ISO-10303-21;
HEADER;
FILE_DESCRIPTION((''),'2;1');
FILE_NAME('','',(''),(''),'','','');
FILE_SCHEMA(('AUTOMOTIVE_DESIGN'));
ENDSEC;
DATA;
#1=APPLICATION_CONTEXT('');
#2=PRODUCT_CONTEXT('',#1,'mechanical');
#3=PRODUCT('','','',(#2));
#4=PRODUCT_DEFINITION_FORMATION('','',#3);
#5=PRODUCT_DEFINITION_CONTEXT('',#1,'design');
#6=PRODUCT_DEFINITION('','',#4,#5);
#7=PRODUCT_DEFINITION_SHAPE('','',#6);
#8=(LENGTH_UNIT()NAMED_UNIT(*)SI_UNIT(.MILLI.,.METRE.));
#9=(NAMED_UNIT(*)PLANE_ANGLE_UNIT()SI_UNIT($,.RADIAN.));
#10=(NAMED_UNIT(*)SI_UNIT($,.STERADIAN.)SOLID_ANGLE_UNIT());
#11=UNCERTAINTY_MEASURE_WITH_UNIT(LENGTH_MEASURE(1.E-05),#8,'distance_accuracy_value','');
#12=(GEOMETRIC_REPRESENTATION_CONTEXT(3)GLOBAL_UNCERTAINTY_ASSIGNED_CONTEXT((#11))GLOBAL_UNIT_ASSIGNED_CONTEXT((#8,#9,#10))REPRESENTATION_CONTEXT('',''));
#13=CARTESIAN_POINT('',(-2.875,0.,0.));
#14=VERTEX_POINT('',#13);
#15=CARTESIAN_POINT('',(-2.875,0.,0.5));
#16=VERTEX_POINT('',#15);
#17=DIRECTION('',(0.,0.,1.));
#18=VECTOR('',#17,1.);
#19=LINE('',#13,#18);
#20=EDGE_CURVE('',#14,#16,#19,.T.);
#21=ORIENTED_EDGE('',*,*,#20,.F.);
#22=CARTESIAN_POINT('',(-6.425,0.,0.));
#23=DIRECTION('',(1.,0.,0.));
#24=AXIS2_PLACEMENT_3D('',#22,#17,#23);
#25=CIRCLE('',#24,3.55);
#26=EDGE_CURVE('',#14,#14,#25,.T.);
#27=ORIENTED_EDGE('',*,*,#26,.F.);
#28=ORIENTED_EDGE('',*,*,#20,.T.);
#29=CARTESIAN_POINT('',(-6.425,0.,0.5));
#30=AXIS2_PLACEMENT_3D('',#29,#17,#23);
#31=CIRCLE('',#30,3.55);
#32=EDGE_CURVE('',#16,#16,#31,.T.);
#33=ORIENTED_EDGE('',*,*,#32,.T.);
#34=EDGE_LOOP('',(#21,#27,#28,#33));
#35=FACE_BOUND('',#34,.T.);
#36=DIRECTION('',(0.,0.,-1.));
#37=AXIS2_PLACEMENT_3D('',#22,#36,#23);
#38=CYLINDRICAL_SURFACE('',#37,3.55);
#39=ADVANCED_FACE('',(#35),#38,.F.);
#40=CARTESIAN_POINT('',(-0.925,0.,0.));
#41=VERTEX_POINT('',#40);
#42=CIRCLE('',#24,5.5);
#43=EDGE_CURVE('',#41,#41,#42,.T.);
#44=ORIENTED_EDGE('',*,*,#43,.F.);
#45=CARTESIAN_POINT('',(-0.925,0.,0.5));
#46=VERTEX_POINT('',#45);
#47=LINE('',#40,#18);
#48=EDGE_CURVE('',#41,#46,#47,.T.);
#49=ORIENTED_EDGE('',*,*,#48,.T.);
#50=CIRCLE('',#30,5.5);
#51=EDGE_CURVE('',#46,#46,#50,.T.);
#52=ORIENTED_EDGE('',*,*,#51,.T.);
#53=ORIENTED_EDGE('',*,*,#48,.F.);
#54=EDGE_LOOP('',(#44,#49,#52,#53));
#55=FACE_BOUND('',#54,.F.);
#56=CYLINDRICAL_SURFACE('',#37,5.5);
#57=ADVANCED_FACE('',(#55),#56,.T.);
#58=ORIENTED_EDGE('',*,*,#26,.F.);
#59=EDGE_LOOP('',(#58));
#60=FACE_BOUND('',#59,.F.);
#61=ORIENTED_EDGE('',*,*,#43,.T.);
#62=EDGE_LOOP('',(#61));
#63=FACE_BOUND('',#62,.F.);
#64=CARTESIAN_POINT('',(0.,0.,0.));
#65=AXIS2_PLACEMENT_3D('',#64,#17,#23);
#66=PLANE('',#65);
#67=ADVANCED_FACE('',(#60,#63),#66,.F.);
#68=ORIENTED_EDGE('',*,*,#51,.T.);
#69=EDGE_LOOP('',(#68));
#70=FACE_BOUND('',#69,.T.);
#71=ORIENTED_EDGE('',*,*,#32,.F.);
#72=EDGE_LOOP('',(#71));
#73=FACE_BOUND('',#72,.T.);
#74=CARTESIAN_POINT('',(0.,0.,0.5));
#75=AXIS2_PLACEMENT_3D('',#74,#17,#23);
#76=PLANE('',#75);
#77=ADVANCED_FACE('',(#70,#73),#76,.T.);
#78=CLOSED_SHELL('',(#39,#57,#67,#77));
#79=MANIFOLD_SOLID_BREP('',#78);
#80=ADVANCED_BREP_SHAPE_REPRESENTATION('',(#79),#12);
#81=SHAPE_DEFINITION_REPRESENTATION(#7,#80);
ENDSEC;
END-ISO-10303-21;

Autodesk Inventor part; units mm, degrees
ref_plane "YZ Plane" through (0, 0, 0) normal (1, 0, 0) x (0, 1, 0)
ref_plane "XZ Plane" through (0, 0, 0) normal (0, 1, 0) x (-1, 0, 0)
ref_plane "XY Plane" through (0, 0, 0) normal (0, 0, 1) x (1, 0, 0)
sketch "Sketch1" plane through (0, 0, 0) normal (0, 0, 1) x (1, 0, 0)
  circle A0 centre (-6.425, 0) radius 2 projected
  circle A1 centre (-6.425, 0) radius 5.5
  circle A2 centre (-6.425, 0) radius 3.55
  point P0 (0, 0)
  dimension "d0" = 11
  dimension "d1" = 7.1
extrude "Extrusion1" add sketch "Sketch1" along normal blind 0.5 contours A1
properties part number "12mm Incremental Encoder Washer"
